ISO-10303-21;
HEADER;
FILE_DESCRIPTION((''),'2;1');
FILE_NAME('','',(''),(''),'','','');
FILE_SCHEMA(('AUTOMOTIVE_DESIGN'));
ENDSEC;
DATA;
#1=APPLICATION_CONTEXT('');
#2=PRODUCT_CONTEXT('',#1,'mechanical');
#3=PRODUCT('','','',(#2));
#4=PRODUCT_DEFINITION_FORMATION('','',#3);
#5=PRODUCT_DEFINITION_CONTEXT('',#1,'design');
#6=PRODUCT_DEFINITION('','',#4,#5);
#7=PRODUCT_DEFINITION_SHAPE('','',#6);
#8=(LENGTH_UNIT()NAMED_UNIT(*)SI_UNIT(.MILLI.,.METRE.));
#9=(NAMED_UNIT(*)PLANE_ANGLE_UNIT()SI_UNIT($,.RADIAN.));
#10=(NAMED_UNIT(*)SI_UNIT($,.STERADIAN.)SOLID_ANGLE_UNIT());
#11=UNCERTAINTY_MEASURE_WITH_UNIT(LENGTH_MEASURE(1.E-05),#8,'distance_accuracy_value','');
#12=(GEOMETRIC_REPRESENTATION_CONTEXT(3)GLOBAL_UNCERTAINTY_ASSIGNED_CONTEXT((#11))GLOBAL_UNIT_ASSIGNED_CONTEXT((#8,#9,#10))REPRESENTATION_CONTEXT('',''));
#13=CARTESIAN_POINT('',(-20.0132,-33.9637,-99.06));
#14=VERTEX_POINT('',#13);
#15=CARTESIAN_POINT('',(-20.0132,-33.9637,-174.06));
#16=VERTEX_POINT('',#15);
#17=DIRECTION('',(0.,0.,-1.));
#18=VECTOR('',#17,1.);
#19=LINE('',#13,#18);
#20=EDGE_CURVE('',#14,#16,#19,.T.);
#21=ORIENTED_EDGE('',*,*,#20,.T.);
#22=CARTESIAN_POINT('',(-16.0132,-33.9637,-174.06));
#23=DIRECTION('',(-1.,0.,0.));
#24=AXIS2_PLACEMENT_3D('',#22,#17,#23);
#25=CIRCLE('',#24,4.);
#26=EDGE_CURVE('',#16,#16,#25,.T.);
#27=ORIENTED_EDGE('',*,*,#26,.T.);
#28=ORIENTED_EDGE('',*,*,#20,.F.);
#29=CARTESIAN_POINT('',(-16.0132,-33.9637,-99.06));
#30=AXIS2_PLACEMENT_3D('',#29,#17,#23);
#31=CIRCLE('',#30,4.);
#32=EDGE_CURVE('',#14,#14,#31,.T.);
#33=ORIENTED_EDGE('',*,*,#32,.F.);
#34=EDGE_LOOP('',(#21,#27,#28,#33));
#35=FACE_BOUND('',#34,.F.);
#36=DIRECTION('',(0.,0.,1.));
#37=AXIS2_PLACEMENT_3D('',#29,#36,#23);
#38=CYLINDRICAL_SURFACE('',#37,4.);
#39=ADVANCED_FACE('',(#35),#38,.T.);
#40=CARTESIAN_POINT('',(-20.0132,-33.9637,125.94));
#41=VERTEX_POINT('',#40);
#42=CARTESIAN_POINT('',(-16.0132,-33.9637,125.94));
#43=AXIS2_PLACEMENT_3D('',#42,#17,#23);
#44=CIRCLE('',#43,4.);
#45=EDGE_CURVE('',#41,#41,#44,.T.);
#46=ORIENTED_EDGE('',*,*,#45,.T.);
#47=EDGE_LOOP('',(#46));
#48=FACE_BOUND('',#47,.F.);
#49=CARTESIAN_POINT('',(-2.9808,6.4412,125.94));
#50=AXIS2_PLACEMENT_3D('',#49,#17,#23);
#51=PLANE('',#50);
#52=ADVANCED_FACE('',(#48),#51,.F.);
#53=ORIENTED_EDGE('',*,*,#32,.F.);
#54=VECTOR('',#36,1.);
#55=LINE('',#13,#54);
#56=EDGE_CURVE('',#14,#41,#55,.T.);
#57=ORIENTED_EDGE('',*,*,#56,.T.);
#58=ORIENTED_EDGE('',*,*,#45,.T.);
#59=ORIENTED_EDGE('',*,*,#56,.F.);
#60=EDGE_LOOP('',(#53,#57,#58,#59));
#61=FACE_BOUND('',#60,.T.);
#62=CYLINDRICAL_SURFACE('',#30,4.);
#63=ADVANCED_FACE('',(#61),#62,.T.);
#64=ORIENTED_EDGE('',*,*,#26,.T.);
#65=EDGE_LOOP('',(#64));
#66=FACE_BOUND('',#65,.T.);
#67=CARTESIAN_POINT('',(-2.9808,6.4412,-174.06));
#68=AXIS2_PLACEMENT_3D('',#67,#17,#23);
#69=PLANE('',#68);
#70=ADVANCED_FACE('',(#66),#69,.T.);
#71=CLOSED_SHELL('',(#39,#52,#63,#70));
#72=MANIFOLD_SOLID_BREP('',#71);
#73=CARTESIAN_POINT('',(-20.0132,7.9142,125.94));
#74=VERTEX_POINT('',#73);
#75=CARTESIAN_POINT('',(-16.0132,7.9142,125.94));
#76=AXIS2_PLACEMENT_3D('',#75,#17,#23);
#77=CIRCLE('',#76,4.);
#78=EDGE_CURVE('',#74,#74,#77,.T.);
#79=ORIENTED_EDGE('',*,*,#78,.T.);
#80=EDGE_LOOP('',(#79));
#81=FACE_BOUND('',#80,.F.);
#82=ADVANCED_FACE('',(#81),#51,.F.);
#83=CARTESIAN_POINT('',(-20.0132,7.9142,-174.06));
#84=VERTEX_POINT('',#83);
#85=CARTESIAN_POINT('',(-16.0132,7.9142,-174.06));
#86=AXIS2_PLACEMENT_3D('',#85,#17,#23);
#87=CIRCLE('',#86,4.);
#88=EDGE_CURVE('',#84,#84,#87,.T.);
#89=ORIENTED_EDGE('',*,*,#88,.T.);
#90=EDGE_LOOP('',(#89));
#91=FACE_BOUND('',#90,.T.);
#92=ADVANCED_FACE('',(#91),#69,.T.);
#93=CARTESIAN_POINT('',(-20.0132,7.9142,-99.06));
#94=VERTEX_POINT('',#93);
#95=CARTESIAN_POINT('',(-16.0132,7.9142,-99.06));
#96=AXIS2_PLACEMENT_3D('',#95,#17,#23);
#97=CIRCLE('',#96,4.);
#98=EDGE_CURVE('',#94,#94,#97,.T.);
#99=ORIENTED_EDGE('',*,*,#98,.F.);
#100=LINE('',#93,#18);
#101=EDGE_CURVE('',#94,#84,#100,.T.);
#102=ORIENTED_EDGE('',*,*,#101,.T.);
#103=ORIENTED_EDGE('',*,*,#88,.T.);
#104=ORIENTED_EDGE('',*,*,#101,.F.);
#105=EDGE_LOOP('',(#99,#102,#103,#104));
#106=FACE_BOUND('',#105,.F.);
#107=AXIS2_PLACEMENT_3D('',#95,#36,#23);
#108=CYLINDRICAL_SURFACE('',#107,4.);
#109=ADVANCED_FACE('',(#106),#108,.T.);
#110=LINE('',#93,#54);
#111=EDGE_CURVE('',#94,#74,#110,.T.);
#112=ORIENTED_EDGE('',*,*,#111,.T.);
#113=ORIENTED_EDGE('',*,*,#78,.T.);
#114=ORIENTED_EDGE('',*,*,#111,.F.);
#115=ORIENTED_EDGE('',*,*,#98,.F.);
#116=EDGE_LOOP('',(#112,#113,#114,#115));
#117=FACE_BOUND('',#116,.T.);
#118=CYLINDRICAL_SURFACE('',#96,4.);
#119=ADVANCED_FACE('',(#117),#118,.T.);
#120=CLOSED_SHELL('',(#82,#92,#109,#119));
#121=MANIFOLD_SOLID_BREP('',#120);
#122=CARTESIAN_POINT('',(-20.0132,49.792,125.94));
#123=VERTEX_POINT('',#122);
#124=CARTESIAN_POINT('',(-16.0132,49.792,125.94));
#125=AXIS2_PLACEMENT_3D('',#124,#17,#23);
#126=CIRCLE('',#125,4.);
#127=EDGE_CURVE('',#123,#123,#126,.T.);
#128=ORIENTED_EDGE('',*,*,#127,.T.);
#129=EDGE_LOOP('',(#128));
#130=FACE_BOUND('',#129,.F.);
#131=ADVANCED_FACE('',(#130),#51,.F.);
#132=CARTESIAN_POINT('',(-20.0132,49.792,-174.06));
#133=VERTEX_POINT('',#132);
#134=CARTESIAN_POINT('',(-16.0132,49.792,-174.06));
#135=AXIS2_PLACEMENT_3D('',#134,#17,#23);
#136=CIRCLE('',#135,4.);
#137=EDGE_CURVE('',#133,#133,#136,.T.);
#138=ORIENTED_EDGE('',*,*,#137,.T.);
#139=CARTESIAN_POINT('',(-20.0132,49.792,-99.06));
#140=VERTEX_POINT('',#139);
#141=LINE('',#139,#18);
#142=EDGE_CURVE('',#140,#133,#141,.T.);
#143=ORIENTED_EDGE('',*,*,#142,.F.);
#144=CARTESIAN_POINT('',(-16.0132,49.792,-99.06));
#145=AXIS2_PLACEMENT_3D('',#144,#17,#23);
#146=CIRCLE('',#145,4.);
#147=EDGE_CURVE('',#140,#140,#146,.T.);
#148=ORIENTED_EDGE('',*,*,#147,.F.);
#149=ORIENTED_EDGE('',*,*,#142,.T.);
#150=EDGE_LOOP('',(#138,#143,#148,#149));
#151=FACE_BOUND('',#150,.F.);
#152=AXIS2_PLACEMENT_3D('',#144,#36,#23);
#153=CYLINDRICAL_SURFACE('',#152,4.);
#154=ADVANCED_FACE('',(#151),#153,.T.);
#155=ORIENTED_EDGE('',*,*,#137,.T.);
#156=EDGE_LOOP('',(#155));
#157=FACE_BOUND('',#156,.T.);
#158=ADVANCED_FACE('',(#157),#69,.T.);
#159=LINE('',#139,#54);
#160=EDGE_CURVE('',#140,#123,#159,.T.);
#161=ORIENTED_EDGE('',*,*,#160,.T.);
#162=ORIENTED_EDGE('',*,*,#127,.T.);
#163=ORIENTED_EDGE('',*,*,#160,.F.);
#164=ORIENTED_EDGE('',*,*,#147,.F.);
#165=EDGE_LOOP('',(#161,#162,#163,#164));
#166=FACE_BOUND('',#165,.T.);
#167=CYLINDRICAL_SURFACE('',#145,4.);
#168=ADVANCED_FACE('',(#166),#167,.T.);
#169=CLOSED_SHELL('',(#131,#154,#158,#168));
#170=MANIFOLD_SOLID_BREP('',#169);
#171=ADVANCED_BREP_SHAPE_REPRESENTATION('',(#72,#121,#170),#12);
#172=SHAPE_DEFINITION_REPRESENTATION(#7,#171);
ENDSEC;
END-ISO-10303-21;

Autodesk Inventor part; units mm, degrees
ref_plane "YZ Plane" through (0, 0, 0) normal (1, 0, 0) x (0, 1, 0)
ref_plane "XZ Plane" through (0, 0, 0) normal (0, 1, 0) x (-1, 0, 0)
ref_plane "XY Plane" through (0, 0, 0) normal (0, 0, 1) x (1, 0, 0)
ref_plane "Work Plane1" through (-2.9808, 6.4412, -99.06) normal (0, 0, -1) x (-1, 0, 0)
sketch "Sketch1" plane through (-2.9808, 6.4412, -99.06) normal (0, 0, -1) x (-1, 0, 0)
  line L0 (-33.4608, 12.473) -> (-25.4659, 12.473) projected
  line L1 (-25.4659, 12.473) -> (-25.4659, 7.473) projected
  line L2 (-25.4659, 7.473) -> (-20.4659, 12.473) projected
  line L3 (-20.4659, 12.473) -> (-11.4709, 12.473) projected
  line L4 (-11.4709, 12.473) -> (-11.4709, 4.473) projected
  line L5 (-17.4709, 4.473) -> (-11.4709, 4.473) projected
  line L6 (-17.4709, -1.527) -> (-17.4709, 4.473) projected
  line L7 (-11.4709, -1.527) -> (-17.4709, -1.527) projected
  line L8 (-11.4709, -1.527) -> (-11.4709, -9.527) projected
  line L9 (-11.4709, -9.527) -> (-20.4659, -9.527) projected
  line L10 (-20.4659, -9.527) -> (-25.4659, -4.527) projected
  line L11 (-25.4659, -4.527) -> (-25.4659, -9.527) projected
  line L12 (-25.4659, -9.527) -> (-33.4608, -9.527) projected
  line L13 (-33.4608, -9.527) -> (-33.4608, -37.1779) projected
  line L14 (-33.4608, -37.1779) -> (27.4992, -72.3732) projected
  line L15 (27.4992, -72.3732) -> (27.4992, 59.4908) projected
  line L16 (27.4992, 59.4908) -> (-33.4608, 59.4908) projected
  line L17 (-33.4608, 59.4908) -> (-33.4608, 12.473) projected
  circle A0 centre (13.0324, -40.4049) radius 8 projected
  circle A1 centre (13.0324, 43.3508) radius 8 projected
  circle A2 centre (13.0324, 1.473) radius 11.5 projected
  circle A3 centre (13.0324, 43.3508) radius 4
  circle A4 centre (13.0324, 1.473) radius 4
  circle A5 centre (13.0324, -40.4049) radius 4
  line L18 (-25.4659, 12.473) -> (-20.4659, 12.473)
  line L19 (-12.9659, -8.527) -> (-32.9659, -8.527)
  line L20 (-32.9659, -8.527) -> (-32.9659, 11.473)
  line L21 (-32.9659, 11.473) -> (-12.9659, 11.473)
  line L22 (-12.9659, 11.473) -> (-12.9659, -8.527)
  line L23 (-12.9659, -8.527) -> (-32.9659, 11.473) construction
  line L24 (-32.9659, -8.527) -> (-12.9659, 11.473) construction
  point P0 (-2.9808, -6.4412)
  point P1 (-22.9659, 1.473)
  dimension "d0" = 8
  dimension "d1" = 8
  dimension "d2" = 8
  dimension "d7" = 20
  dimension "d8" = 20
extrude "Extrusion1" add sketch "Sketch1" along normal blind 75 and the other way blind 225 contours L21 L2 L1 | L1 L2 L21 L22 L5 L6 L7 L19 L10 L11 L20 | L11 L10 L19 | L22 L7 L6 L5 | A3 | A4 | A5
sketch "Sketch2" plane through (-2.9808, 6.4412, -174.06) normal (0, 0, -1) x (-1, 0, 0)
  line L0 (-42.5431, 14.4058) -> (-6.9693, 14.4058)
  line L1 (-6.9693, 14.4058) -> (-6.9693, -20.6122)
  line L2 (-6.9693, -20.6122) -> (-42.5431, -20.6122)
  line L3 (-42.5431, -20.6122) -> (-42.5431, 14.4058)
  point P0 (-2.9808, -6.4412)
extrude "Extrusion2" cut sketch "Sketch2" against normal blind 355.6
properties part number "Rails"
